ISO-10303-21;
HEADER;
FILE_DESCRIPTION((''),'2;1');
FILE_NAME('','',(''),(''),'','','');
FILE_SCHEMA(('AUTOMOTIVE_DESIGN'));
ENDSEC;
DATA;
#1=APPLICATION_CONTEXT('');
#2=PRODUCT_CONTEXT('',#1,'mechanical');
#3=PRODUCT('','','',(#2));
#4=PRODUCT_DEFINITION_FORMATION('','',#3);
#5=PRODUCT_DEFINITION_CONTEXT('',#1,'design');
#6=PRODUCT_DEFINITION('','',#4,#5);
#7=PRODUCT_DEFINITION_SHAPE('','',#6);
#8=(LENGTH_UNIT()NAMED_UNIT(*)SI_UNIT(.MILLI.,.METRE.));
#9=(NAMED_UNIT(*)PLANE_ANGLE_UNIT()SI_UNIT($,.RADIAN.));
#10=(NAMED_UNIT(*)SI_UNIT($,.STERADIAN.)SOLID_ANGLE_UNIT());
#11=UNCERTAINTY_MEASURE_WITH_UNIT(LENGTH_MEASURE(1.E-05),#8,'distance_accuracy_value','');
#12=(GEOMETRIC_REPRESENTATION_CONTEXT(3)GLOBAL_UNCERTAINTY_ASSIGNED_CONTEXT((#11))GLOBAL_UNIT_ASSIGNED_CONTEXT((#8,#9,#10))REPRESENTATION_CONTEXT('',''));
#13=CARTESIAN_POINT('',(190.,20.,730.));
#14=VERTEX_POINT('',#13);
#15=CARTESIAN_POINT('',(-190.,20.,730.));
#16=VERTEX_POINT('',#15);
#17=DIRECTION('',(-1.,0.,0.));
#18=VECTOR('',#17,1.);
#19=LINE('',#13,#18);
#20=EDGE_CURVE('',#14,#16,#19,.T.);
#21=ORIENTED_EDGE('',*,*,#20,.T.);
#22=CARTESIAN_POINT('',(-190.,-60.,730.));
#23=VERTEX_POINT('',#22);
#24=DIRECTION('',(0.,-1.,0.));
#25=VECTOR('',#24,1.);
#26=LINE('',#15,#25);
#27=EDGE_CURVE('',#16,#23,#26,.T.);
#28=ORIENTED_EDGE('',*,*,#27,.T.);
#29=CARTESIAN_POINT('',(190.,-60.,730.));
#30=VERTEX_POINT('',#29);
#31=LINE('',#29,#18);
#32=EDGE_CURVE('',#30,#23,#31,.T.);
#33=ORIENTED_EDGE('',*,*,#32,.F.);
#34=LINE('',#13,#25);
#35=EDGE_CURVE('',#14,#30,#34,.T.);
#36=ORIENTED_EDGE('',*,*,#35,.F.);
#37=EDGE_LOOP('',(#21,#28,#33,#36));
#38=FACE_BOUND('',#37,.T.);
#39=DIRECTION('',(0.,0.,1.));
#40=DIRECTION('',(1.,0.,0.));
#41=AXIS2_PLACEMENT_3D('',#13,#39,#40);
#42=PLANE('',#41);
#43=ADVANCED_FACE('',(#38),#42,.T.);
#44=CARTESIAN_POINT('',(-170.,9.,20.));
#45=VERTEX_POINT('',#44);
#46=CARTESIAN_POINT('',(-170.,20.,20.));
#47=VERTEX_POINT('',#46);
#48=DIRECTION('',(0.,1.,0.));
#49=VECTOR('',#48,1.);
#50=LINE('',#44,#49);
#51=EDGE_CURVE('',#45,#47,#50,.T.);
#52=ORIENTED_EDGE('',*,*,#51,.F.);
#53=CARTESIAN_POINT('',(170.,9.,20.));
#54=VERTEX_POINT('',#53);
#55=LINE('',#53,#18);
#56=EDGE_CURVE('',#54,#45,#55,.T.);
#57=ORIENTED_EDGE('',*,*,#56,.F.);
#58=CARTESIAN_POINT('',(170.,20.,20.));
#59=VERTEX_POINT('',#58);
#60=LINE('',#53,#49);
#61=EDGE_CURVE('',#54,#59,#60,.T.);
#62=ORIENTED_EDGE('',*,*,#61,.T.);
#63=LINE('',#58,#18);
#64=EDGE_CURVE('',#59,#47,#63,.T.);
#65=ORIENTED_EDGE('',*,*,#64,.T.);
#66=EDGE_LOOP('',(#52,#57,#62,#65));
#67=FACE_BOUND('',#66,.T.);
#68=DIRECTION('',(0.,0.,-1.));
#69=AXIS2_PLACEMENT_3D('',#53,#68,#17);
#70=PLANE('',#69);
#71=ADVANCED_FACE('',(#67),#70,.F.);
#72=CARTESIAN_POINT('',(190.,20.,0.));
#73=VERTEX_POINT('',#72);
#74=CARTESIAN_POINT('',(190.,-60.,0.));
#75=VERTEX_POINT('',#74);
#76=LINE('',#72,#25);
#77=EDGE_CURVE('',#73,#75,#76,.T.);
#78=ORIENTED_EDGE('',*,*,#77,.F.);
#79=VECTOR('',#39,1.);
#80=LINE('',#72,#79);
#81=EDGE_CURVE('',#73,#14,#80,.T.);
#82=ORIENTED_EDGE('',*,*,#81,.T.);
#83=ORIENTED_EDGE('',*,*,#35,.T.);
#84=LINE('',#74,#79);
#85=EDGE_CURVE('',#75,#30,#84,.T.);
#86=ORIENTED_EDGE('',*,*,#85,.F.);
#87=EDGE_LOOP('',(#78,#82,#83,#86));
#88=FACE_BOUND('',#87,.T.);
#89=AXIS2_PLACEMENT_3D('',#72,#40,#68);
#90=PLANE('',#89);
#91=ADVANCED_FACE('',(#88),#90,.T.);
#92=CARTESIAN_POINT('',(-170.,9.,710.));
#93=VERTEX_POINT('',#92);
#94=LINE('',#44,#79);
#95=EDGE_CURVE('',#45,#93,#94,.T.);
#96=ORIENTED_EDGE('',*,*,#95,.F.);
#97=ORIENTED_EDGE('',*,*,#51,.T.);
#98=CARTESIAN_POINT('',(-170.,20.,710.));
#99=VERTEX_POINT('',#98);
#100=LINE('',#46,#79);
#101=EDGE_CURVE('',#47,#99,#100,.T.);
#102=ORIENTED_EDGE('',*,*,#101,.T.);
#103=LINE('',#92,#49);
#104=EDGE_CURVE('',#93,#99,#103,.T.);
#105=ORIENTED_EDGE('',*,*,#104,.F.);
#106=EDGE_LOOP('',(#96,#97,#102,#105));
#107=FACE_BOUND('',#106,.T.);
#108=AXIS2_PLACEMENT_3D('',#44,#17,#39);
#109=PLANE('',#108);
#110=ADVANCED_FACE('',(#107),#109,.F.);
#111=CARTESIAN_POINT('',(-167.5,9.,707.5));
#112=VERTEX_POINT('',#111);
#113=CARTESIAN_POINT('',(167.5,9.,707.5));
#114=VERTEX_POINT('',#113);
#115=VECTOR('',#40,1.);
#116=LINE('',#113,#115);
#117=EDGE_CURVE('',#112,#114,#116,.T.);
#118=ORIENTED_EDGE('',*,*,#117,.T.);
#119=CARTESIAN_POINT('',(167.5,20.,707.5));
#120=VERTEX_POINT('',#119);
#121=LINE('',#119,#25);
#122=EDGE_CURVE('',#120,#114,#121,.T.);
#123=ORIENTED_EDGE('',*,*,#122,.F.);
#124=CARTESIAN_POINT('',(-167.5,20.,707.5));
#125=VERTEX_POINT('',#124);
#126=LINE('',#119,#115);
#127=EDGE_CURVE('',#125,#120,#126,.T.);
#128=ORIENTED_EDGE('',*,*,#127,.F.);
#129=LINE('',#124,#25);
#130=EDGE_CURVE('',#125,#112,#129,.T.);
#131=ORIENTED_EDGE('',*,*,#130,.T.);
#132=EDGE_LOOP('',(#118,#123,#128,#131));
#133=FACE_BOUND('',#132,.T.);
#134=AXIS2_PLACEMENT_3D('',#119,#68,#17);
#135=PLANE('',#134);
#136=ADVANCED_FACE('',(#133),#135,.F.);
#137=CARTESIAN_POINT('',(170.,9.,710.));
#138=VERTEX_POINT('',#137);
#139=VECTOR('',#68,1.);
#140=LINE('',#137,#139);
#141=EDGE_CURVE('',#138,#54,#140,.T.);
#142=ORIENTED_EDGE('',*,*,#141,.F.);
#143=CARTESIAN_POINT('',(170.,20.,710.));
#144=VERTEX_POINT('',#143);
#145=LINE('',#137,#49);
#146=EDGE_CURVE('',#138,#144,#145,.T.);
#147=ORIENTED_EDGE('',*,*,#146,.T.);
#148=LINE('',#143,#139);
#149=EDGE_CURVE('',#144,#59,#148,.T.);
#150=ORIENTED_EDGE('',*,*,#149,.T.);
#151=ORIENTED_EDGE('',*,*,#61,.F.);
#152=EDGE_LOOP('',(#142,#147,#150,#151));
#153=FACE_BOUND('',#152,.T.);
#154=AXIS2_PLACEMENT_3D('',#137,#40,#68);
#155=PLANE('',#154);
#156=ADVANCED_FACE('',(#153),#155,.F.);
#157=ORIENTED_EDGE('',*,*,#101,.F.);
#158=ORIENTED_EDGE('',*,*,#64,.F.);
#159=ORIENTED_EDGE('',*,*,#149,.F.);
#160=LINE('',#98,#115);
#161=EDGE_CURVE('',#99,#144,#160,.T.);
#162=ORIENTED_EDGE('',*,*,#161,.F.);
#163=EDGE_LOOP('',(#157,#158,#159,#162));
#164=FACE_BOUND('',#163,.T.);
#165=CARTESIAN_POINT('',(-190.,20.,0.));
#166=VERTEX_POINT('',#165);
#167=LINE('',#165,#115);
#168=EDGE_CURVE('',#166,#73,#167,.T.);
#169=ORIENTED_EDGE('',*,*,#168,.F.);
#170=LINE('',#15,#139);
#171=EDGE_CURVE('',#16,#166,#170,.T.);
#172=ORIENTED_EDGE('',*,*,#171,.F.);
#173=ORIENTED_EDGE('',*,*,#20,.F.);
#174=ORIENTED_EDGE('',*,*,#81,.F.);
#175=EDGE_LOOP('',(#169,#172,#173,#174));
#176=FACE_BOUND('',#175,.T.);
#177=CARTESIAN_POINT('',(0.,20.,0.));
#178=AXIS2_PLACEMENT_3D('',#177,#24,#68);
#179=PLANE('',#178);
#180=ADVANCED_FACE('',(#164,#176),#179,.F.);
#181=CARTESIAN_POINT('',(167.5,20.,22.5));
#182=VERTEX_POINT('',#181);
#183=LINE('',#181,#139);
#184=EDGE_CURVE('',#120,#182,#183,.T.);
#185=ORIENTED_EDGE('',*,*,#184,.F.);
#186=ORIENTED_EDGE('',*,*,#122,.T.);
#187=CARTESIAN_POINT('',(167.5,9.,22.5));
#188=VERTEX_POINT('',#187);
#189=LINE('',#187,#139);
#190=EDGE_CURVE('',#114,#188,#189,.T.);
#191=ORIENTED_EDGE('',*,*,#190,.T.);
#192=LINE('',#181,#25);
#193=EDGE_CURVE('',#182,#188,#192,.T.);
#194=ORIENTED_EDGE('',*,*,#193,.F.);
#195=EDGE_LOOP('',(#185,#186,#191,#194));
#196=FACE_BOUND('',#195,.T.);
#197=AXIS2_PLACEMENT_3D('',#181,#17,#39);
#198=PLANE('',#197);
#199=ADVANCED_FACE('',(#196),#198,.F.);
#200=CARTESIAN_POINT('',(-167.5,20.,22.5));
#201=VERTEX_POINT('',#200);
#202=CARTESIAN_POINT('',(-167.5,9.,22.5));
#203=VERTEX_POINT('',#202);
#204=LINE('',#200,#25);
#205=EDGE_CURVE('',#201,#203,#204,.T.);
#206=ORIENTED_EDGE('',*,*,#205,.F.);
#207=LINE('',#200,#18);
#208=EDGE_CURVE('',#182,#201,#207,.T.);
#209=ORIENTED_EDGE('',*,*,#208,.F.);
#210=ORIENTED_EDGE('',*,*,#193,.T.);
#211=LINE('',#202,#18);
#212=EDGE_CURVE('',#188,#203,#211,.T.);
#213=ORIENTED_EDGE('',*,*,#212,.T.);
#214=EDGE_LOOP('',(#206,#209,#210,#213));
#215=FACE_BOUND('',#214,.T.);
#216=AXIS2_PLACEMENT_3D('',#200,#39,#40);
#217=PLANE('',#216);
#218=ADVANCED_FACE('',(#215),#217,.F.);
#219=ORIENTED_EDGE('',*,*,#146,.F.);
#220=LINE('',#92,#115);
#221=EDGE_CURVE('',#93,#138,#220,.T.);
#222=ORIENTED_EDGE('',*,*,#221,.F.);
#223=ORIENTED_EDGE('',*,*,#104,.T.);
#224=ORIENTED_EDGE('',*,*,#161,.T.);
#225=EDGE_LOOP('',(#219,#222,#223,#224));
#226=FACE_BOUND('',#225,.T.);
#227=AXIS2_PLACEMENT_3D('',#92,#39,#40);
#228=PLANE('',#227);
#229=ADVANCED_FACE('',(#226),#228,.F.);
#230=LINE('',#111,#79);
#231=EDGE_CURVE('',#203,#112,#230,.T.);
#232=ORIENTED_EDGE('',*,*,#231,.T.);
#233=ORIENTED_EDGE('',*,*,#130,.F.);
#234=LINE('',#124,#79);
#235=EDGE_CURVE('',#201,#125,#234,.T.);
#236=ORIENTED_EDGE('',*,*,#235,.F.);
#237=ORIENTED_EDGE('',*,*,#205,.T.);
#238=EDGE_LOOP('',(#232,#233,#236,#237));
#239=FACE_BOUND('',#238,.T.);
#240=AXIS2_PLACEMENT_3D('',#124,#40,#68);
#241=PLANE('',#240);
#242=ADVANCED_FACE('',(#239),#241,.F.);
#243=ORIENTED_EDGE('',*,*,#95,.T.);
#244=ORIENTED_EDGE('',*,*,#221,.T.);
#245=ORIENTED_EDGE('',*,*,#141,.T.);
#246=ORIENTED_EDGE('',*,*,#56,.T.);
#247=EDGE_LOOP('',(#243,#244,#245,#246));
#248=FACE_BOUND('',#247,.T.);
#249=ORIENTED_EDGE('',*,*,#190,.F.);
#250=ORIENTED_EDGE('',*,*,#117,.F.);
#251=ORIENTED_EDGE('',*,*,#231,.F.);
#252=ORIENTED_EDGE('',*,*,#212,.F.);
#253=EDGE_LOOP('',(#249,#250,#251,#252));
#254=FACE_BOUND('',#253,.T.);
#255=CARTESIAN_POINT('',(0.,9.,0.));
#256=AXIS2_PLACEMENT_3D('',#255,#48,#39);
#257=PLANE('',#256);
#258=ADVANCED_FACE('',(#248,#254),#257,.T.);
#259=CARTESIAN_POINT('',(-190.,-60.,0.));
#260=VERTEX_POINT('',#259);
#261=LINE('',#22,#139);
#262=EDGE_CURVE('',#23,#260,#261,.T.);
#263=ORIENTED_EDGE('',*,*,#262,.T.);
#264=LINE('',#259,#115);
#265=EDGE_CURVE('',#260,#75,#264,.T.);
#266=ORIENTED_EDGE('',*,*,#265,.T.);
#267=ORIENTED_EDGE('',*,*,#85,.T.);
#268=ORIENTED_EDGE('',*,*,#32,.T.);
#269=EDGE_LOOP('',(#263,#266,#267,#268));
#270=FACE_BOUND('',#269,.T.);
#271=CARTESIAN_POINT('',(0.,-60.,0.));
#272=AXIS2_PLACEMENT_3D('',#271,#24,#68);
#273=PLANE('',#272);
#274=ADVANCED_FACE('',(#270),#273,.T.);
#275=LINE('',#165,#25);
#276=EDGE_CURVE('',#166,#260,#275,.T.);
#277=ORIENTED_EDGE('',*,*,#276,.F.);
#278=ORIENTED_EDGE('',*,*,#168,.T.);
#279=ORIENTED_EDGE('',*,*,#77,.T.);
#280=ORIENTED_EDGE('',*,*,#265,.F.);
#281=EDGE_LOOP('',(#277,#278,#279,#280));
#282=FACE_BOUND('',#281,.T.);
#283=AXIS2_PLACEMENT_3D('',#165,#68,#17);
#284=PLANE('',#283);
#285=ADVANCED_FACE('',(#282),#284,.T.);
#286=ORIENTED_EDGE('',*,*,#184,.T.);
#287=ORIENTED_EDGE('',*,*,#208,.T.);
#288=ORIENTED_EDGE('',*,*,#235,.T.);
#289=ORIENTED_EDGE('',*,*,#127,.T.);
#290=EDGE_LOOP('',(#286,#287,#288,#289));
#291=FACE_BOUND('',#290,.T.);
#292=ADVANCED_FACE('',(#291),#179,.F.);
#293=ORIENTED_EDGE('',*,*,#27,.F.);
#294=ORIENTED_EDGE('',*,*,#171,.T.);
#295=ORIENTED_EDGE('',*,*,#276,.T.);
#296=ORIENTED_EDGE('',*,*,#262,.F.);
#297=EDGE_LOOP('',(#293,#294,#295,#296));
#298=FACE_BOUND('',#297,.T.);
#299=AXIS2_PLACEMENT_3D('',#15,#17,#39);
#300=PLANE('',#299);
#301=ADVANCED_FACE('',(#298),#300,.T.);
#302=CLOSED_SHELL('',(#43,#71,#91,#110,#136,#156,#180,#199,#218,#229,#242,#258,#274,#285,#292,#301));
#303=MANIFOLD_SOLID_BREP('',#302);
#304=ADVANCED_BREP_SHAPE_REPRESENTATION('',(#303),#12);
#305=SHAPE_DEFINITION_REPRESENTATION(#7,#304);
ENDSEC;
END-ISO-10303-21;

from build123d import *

# Parameters (mm, degrees)
SKETCH1_W           = 380
SKETCH1_H           = 730
BOSS_EXTRUDE1_DEPTH = 80
SKETCH2_W           = 340
SKETCH2_H           = 690
CUT_EXTRUDE1_DEPTH  = 11
SKETCH3_W           = 335
SKETCH3_H           = 685
BOSS_EXTRUDE2_DEPTH = 11


with BuildPart() as part:
    # Sketch1 → Boss-Extrude1 (new body)
    with BuildSketch(Plane.XZ.offset(60)):
        with Locations((0, 365)):
            Rectangle(SKETCH1_W, SKETCH1_H)
    extrude(amount=-BOSS_EXTRUDE1_DEPTH)

    # Sketch2 → Cut-Extrude1 (cut)
    with BuildSketch(Plane(origin=(0, 20, 0), x_dir=(-1, 0, 0), z_dir=(0, 1, 0))):
        with Locations((0, 365)):
            Rectangle(SKETCH2_W, SKETCH2_H)
    extrude(amount=-CUT_EXTRUDE1_DEPTH, mode=Mode.SUBTRACT)

    # Sketch3 → Boss-Extrude2 (add)
    with BuildSketch(Plane(origin=(0, 9, 0), x_dir=(-1, 0, 0), z_dir=(0, 1, 0))):
        with Locations((0, 365)):
            Rectangle(SKETCH3_W, SKETCH3_H)
    extrude(amount=BOSS_EXTRUDE2_DEPTH)


solid = part.part
